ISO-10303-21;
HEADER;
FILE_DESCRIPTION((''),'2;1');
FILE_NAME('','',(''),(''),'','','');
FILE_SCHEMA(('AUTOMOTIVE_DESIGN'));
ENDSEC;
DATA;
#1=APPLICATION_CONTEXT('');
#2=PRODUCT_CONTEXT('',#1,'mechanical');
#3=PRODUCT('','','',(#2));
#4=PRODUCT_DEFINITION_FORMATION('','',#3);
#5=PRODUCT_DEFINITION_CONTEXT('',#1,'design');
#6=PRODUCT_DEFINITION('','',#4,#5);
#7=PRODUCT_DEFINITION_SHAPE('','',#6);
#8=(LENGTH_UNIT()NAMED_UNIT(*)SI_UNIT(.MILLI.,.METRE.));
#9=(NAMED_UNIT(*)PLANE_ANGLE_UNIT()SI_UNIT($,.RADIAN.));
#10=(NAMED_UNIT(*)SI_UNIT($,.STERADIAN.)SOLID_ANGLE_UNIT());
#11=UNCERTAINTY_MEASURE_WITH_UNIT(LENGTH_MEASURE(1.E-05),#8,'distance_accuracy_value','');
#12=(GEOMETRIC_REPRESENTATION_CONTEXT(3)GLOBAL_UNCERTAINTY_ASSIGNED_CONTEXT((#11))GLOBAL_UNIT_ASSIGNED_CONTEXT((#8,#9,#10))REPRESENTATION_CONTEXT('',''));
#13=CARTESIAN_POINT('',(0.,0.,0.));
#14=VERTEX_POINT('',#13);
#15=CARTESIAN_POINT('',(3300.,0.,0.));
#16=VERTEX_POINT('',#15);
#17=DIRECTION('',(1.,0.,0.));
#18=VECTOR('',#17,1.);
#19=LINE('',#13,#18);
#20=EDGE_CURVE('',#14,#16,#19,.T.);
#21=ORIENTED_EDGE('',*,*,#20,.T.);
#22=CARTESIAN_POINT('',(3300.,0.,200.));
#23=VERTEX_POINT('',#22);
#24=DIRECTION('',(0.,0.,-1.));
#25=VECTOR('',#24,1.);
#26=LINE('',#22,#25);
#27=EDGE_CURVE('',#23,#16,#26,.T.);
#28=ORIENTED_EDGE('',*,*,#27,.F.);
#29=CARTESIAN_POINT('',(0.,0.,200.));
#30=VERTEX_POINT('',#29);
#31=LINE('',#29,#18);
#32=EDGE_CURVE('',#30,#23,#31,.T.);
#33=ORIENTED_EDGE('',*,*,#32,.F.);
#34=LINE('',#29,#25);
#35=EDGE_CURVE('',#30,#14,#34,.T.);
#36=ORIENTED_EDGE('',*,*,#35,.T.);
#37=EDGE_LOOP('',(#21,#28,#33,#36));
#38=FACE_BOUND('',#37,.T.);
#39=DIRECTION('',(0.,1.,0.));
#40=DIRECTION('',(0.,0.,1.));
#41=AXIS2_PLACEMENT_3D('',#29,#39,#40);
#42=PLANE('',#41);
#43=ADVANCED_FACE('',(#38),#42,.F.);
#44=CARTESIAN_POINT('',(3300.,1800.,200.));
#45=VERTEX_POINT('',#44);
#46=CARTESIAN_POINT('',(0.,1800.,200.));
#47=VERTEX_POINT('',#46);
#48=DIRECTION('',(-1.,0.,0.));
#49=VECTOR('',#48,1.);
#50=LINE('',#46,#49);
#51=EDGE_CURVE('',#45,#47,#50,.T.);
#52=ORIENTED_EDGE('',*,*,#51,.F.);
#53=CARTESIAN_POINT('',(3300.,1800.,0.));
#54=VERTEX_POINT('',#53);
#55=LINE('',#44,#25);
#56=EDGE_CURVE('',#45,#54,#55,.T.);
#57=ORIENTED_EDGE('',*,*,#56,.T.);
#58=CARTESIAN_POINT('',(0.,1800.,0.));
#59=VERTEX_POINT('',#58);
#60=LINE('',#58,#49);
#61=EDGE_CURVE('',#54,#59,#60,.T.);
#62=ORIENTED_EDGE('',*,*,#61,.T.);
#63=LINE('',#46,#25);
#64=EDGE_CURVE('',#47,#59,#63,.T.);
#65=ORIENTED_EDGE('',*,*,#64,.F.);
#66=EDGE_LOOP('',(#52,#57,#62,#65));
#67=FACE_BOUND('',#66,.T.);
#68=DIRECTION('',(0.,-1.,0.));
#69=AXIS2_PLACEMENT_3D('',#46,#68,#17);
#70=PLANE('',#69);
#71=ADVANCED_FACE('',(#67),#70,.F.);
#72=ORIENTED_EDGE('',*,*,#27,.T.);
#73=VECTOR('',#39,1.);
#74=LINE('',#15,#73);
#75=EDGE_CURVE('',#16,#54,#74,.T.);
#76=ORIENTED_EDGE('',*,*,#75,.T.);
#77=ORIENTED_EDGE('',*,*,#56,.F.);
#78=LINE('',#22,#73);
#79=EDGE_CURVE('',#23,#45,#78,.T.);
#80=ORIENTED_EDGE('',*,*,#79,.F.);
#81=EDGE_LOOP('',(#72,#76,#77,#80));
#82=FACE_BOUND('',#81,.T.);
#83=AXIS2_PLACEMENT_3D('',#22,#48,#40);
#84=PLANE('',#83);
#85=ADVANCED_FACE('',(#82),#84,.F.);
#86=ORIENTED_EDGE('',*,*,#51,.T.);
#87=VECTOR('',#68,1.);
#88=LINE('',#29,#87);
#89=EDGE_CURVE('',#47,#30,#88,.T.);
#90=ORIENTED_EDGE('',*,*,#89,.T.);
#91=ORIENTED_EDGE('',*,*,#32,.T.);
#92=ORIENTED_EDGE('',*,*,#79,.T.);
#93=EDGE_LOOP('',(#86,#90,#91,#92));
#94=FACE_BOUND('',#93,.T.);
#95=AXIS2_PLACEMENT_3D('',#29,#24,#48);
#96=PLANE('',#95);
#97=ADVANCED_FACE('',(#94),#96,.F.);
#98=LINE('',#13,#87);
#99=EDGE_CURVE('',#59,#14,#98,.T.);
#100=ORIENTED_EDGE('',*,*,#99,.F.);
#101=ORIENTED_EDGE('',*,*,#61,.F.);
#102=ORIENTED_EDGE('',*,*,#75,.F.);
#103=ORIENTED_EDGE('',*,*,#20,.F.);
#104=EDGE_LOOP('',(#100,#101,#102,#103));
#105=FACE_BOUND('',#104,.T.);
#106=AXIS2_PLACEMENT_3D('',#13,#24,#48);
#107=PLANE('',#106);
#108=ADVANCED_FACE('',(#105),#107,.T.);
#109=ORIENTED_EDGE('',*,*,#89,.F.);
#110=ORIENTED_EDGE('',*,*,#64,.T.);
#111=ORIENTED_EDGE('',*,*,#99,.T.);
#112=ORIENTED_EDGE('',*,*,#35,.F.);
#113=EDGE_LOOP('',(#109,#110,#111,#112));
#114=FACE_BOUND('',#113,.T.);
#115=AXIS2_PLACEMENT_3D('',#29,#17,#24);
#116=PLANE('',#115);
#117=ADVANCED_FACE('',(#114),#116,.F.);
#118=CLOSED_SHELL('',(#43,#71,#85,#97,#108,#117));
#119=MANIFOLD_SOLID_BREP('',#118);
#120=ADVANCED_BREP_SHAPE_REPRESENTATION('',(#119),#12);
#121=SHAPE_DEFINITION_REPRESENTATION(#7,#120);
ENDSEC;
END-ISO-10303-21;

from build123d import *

# Parameters (mm, degrees)
ESQUISSE1_W        = 3300
ESQUISSE1_H        = 1800
BOSS_EXTRU_1_DEPTH = 200


with BuildPart() as part:
    # Esquisse1 → Boss.-Extru.1 (new body)
    with BuildSketch(Plane.XY):
        with Locations((1650, 900)):
            Rectangle(ESQUISSE1_W, ESQUISSE1_H)
    extrude(amount=BOSS_EXTRU_1_DEPTH)


solid = part.part
